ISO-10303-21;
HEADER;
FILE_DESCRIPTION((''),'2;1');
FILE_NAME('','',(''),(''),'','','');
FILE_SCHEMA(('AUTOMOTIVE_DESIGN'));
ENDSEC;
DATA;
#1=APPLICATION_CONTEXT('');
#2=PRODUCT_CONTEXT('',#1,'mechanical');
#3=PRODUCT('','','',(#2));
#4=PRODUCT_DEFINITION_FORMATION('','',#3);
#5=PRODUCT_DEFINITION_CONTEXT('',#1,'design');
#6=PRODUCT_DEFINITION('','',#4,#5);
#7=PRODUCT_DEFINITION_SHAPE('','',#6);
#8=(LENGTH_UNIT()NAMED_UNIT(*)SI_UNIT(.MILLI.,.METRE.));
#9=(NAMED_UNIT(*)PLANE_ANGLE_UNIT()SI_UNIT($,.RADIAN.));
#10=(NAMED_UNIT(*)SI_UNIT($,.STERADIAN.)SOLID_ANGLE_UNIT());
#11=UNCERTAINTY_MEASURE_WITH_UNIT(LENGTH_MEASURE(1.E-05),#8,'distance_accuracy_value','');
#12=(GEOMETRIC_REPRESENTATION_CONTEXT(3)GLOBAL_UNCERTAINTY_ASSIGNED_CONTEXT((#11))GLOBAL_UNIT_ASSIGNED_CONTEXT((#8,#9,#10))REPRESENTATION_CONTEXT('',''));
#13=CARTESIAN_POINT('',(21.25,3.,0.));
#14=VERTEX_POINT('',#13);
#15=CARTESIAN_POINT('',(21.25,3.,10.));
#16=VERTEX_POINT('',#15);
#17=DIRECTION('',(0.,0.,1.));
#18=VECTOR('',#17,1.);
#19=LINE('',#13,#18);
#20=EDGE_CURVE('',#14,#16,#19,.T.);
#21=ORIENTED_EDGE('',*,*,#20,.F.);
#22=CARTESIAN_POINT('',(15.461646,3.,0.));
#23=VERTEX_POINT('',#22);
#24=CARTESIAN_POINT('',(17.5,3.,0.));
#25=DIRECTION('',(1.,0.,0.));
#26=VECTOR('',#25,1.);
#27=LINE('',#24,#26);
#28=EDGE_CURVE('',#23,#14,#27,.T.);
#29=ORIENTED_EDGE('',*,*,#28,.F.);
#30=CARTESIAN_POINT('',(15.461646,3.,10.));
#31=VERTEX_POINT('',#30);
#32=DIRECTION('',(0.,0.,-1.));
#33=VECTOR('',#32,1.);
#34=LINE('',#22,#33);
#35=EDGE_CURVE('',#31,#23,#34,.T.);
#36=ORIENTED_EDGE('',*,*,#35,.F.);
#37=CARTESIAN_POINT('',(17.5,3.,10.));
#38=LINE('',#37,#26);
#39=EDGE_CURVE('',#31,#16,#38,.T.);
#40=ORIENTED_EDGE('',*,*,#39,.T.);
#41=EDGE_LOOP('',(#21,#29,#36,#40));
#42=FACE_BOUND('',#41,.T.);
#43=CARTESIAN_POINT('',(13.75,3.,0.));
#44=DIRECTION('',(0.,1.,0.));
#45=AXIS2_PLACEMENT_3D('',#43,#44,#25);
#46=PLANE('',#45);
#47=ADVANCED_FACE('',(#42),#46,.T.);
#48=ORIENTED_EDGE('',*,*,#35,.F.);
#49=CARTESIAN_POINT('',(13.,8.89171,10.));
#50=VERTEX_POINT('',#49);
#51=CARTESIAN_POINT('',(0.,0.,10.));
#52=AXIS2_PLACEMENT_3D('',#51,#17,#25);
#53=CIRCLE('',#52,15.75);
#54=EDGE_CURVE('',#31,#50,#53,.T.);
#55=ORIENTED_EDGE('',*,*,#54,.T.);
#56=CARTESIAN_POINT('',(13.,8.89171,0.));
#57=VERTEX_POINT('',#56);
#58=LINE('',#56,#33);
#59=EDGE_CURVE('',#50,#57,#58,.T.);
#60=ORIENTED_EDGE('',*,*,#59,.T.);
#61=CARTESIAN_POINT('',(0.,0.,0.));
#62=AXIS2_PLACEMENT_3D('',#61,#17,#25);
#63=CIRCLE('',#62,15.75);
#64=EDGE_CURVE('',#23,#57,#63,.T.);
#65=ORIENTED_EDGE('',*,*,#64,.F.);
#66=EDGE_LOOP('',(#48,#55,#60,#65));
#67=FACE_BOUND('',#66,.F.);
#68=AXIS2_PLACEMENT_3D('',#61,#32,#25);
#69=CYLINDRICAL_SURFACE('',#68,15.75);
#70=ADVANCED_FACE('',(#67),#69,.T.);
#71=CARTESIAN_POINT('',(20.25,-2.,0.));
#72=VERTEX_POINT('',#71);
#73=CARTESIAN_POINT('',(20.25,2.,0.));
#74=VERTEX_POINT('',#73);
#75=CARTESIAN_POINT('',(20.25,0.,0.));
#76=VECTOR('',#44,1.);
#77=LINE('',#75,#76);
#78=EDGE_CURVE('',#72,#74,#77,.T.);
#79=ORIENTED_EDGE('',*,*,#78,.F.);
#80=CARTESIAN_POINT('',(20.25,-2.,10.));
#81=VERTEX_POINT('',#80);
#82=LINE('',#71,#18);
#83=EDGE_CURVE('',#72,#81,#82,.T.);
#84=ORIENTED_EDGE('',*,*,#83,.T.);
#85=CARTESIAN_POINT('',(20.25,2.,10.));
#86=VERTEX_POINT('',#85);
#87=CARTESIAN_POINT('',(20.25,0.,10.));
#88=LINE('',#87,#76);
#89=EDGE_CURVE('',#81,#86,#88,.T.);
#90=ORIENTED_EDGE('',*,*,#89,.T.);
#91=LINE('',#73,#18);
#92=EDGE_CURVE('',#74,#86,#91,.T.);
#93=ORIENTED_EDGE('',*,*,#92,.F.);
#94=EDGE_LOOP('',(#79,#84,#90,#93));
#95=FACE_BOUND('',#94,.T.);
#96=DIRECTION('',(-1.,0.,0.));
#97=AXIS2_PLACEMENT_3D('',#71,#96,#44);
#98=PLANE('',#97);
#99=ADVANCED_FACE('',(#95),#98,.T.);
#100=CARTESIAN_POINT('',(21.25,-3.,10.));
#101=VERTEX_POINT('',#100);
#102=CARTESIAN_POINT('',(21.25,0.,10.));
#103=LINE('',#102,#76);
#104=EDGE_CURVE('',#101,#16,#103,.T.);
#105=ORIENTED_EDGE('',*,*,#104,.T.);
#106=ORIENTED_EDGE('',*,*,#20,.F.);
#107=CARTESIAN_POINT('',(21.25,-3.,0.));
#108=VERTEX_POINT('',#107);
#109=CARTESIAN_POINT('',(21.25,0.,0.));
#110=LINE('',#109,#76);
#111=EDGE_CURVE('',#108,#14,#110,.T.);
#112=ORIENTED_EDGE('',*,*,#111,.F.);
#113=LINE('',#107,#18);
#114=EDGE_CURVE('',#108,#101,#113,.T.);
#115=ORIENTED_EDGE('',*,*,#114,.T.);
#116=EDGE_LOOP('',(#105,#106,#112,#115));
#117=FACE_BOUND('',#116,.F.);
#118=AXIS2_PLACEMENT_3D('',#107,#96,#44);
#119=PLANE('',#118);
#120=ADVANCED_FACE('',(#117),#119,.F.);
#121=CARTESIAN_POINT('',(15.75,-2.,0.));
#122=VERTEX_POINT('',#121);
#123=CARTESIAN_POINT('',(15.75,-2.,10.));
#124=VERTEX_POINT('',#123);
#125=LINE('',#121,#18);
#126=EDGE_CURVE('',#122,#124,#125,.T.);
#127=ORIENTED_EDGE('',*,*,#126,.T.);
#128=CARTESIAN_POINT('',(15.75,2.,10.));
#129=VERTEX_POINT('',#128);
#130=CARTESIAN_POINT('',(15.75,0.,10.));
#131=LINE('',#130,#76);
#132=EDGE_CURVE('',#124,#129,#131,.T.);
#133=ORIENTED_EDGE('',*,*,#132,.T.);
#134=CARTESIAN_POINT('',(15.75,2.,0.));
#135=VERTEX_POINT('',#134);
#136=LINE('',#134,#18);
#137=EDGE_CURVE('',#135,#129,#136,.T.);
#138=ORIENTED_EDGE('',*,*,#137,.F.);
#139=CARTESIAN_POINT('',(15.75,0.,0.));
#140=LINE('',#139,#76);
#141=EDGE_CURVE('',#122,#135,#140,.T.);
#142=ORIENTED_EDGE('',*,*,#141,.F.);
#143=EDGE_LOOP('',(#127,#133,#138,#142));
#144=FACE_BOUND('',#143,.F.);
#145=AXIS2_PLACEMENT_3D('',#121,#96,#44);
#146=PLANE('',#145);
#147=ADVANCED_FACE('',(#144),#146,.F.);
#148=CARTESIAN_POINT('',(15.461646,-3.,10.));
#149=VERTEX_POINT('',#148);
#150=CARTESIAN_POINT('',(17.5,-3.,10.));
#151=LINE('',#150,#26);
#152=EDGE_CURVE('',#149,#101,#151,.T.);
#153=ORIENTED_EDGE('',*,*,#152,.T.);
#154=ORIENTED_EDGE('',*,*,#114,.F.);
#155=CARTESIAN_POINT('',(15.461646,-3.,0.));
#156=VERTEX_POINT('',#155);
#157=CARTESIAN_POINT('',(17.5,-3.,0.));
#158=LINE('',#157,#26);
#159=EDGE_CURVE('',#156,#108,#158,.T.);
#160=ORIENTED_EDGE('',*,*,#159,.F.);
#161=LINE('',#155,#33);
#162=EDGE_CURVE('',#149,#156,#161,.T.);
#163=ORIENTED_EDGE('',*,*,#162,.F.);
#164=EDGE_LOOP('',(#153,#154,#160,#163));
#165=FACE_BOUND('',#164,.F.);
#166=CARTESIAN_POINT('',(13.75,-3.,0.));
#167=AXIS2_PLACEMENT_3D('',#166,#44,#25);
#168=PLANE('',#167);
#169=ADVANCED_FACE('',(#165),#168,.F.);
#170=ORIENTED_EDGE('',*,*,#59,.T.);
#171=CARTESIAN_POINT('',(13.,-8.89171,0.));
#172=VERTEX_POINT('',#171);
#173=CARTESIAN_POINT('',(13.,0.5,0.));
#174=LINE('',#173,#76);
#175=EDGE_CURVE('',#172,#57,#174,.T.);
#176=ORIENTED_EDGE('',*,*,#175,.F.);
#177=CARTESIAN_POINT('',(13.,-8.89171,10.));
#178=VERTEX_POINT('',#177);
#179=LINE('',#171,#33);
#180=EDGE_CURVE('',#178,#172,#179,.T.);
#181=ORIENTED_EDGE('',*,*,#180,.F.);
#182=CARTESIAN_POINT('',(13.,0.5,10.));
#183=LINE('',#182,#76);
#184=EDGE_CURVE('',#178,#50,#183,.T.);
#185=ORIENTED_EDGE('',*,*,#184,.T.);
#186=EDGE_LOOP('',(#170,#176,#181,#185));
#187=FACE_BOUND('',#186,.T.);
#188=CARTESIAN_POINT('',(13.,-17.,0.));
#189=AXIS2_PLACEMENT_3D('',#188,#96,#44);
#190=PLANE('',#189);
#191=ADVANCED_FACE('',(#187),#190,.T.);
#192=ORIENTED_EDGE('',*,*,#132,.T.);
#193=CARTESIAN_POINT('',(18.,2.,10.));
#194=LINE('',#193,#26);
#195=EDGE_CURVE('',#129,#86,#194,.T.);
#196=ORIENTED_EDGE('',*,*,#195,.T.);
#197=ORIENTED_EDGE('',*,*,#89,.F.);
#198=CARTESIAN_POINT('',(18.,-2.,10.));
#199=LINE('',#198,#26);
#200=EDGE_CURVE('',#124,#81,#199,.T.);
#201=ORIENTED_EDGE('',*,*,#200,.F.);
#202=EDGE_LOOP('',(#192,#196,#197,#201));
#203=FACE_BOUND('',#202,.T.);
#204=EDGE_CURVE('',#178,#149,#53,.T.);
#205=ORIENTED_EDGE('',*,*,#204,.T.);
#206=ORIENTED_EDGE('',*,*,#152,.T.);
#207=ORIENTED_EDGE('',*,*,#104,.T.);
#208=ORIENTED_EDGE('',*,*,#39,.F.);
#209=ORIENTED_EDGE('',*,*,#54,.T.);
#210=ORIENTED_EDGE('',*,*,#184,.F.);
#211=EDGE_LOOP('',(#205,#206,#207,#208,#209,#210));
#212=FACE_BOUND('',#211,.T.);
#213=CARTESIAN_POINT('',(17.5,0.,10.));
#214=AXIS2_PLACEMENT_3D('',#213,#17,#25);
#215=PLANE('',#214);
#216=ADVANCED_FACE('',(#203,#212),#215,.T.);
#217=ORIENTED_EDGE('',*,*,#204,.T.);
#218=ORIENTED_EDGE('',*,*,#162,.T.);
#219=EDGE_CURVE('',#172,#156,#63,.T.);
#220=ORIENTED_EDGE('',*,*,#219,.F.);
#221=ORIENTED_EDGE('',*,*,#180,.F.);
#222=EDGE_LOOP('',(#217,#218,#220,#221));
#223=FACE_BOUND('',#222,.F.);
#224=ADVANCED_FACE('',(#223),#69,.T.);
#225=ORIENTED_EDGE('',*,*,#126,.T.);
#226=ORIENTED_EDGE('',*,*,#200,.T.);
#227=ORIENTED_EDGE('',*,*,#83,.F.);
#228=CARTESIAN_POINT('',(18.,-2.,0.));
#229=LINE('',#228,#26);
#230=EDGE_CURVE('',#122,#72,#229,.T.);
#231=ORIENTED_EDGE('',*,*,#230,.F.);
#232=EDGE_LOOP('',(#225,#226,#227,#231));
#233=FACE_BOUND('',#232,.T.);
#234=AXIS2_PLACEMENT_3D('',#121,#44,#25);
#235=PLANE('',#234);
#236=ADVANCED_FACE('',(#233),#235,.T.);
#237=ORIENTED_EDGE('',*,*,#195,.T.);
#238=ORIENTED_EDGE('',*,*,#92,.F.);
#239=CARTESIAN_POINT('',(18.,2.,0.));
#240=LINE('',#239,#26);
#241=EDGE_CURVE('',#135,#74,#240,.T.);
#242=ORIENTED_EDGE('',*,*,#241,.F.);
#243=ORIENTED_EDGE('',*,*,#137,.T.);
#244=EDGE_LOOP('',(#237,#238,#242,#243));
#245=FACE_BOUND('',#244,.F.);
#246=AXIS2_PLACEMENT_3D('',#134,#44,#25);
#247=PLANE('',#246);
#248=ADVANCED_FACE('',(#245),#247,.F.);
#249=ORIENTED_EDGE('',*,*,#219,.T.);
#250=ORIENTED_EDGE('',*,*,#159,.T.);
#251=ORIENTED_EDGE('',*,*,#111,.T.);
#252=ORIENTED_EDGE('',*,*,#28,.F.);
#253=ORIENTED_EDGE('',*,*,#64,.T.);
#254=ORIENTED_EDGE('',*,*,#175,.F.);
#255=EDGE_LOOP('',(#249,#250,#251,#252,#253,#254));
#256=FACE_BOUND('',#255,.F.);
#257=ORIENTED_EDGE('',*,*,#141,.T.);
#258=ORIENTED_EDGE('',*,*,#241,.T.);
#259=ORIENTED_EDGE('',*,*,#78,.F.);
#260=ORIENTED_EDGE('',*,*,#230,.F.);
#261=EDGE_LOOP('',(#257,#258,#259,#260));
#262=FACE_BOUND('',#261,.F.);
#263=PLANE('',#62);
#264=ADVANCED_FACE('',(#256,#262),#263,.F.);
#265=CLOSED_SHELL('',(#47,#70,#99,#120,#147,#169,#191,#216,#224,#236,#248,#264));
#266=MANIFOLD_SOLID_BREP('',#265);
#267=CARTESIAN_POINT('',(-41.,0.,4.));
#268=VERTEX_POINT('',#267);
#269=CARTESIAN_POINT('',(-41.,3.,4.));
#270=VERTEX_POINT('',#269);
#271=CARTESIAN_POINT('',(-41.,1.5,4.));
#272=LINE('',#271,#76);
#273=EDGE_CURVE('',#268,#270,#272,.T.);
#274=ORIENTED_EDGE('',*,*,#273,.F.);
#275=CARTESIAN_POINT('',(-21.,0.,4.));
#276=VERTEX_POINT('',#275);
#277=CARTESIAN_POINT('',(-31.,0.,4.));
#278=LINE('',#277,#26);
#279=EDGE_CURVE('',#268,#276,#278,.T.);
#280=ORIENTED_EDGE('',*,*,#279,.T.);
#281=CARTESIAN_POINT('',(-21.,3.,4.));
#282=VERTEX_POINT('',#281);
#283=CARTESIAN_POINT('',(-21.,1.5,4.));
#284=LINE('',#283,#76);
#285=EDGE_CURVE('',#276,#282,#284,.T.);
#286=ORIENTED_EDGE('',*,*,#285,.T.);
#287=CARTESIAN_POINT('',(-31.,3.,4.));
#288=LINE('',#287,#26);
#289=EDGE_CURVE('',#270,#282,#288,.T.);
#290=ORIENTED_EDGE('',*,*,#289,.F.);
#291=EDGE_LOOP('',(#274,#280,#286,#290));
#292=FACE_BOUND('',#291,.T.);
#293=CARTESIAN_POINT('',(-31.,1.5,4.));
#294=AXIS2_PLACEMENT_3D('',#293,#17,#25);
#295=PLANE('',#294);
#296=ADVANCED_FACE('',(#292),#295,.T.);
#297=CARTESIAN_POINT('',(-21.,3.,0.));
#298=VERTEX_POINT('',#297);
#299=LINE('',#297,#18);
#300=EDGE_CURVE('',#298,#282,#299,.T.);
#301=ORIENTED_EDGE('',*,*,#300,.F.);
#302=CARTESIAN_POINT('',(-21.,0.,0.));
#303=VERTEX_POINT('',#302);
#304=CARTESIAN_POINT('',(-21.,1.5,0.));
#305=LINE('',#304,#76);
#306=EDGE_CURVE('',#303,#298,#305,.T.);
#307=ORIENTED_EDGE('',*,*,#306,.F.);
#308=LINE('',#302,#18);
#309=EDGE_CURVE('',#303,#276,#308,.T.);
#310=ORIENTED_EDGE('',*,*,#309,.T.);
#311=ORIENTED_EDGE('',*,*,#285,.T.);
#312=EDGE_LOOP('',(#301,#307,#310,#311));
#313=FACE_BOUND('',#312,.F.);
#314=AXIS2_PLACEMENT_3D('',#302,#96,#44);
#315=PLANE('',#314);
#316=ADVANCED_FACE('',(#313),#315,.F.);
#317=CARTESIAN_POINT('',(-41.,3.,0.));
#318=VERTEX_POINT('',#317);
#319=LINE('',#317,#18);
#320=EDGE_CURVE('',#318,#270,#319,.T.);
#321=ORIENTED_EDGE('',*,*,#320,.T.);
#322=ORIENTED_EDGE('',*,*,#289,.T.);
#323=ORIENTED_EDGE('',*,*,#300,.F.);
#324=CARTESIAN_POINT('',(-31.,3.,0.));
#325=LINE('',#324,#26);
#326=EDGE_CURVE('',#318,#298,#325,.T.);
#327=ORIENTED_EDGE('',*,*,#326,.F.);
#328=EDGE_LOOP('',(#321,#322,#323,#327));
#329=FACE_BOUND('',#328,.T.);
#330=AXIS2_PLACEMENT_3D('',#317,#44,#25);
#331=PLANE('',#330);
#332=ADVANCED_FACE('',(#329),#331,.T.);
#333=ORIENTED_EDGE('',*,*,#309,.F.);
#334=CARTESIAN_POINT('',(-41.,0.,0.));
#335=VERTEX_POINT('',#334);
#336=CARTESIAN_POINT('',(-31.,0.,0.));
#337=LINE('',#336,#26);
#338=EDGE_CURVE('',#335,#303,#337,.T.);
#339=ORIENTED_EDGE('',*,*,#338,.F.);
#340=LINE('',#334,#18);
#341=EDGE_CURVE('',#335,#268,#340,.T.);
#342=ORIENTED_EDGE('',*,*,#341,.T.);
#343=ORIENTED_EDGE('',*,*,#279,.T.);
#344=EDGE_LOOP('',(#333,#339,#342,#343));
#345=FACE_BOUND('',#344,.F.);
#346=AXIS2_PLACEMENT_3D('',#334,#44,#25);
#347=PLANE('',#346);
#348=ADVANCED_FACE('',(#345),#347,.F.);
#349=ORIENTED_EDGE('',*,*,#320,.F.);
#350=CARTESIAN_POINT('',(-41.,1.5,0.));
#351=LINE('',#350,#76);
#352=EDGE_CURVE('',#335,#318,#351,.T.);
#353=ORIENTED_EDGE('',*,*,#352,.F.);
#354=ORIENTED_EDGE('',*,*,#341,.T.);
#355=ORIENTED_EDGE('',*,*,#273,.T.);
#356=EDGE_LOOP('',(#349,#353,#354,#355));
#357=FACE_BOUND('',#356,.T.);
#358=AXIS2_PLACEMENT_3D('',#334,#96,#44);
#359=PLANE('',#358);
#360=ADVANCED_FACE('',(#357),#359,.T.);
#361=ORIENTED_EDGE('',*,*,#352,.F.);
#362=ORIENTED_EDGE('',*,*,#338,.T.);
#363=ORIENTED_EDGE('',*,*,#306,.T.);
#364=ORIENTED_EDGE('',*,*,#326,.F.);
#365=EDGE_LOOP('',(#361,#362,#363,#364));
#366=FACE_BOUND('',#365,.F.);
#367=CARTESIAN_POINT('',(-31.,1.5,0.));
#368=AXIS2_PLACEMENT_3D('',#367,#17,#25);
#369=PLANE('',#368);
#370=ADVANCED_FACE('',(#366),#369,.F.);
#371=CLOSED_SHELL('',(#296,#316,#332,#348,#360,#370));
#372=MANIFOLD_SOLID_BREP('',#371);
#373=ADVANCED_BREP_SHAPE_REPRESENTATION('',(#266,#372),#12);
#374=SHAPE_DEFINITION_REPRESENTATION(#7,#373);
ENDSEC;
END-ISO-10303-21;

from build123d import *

# Parameters (mm, degrees)
CYLINDER_R     = 15.75
CYLINDER_DEPTH = 10
BOX_W          = 7.5
BOX_H          = 6
BOX_DEPTH      = 10
BOX001_W       = 4.5
BOX001_H       = 4
BOX001_DEPTH   = 10
BOX003_W       = 30
BOX003_H       = 35
BOX003_DEPTH   = 10
BOX002_W       = 20
BOX002_H       = 3
BOX002_DEPTH   = 4


with BuildPart() as body:
    # Cylinder → Cylinder (join)
    with BuildSketch(Plane.XY):
        Circle(CYLINDER_R)
    extrude(amount=CYLINDER_DEPTH)

    # Box → Box (join)
    with BuildSketch(Plane(origin=(13.75, -3, 0), x_dir=(1, 0, 0), z_dir=(0, 0, 1))):
        with Locations((3.75, 3)):
            Rectangle(BOX_W, BOX_H)
    extrude(amount=BOX_DEPTH)

    # Box001 → Box001 (cut)
    with BuildSketch(Plane(origin=(15.75, -2, 0), x_dir=(1, 0, 0), z_dir=(0, 0, 1))):
        with Locations((2.25, 2)):
            Rectangle(BOX001_W, BOX001_H)
    extrude(amount=BOX001_DEPTH, mode=Mode.SUBTRACT)

    # Box003 → Box003 (cut)
    with BuildSketch(Plane(origin=(-17, -17, 0), x_dir=(1, 0, 0), z_dir=(0, 0, 1))):
        with Locations((15, 17.5)):
            Rectangle(BOX003_W, BOX003_H)
    extrude(amount=BOX003_DEPTH, mode=Mode.SUBTRACT)


with BuildPart() as body001:
    # Box002 → Box002 (join)
    with BuildSketch(Plane(origin=(-41, 0, 0), x_dir=(1, 0, 0), z_dir=(0, 0, 1))):
        with Locations((10, 1.5)):
            Rectangle(BOX002_W, BOX002_H)
    extrude(amount=BOX002_DEPTH)


solid = Compound([body.part, body001.part])
